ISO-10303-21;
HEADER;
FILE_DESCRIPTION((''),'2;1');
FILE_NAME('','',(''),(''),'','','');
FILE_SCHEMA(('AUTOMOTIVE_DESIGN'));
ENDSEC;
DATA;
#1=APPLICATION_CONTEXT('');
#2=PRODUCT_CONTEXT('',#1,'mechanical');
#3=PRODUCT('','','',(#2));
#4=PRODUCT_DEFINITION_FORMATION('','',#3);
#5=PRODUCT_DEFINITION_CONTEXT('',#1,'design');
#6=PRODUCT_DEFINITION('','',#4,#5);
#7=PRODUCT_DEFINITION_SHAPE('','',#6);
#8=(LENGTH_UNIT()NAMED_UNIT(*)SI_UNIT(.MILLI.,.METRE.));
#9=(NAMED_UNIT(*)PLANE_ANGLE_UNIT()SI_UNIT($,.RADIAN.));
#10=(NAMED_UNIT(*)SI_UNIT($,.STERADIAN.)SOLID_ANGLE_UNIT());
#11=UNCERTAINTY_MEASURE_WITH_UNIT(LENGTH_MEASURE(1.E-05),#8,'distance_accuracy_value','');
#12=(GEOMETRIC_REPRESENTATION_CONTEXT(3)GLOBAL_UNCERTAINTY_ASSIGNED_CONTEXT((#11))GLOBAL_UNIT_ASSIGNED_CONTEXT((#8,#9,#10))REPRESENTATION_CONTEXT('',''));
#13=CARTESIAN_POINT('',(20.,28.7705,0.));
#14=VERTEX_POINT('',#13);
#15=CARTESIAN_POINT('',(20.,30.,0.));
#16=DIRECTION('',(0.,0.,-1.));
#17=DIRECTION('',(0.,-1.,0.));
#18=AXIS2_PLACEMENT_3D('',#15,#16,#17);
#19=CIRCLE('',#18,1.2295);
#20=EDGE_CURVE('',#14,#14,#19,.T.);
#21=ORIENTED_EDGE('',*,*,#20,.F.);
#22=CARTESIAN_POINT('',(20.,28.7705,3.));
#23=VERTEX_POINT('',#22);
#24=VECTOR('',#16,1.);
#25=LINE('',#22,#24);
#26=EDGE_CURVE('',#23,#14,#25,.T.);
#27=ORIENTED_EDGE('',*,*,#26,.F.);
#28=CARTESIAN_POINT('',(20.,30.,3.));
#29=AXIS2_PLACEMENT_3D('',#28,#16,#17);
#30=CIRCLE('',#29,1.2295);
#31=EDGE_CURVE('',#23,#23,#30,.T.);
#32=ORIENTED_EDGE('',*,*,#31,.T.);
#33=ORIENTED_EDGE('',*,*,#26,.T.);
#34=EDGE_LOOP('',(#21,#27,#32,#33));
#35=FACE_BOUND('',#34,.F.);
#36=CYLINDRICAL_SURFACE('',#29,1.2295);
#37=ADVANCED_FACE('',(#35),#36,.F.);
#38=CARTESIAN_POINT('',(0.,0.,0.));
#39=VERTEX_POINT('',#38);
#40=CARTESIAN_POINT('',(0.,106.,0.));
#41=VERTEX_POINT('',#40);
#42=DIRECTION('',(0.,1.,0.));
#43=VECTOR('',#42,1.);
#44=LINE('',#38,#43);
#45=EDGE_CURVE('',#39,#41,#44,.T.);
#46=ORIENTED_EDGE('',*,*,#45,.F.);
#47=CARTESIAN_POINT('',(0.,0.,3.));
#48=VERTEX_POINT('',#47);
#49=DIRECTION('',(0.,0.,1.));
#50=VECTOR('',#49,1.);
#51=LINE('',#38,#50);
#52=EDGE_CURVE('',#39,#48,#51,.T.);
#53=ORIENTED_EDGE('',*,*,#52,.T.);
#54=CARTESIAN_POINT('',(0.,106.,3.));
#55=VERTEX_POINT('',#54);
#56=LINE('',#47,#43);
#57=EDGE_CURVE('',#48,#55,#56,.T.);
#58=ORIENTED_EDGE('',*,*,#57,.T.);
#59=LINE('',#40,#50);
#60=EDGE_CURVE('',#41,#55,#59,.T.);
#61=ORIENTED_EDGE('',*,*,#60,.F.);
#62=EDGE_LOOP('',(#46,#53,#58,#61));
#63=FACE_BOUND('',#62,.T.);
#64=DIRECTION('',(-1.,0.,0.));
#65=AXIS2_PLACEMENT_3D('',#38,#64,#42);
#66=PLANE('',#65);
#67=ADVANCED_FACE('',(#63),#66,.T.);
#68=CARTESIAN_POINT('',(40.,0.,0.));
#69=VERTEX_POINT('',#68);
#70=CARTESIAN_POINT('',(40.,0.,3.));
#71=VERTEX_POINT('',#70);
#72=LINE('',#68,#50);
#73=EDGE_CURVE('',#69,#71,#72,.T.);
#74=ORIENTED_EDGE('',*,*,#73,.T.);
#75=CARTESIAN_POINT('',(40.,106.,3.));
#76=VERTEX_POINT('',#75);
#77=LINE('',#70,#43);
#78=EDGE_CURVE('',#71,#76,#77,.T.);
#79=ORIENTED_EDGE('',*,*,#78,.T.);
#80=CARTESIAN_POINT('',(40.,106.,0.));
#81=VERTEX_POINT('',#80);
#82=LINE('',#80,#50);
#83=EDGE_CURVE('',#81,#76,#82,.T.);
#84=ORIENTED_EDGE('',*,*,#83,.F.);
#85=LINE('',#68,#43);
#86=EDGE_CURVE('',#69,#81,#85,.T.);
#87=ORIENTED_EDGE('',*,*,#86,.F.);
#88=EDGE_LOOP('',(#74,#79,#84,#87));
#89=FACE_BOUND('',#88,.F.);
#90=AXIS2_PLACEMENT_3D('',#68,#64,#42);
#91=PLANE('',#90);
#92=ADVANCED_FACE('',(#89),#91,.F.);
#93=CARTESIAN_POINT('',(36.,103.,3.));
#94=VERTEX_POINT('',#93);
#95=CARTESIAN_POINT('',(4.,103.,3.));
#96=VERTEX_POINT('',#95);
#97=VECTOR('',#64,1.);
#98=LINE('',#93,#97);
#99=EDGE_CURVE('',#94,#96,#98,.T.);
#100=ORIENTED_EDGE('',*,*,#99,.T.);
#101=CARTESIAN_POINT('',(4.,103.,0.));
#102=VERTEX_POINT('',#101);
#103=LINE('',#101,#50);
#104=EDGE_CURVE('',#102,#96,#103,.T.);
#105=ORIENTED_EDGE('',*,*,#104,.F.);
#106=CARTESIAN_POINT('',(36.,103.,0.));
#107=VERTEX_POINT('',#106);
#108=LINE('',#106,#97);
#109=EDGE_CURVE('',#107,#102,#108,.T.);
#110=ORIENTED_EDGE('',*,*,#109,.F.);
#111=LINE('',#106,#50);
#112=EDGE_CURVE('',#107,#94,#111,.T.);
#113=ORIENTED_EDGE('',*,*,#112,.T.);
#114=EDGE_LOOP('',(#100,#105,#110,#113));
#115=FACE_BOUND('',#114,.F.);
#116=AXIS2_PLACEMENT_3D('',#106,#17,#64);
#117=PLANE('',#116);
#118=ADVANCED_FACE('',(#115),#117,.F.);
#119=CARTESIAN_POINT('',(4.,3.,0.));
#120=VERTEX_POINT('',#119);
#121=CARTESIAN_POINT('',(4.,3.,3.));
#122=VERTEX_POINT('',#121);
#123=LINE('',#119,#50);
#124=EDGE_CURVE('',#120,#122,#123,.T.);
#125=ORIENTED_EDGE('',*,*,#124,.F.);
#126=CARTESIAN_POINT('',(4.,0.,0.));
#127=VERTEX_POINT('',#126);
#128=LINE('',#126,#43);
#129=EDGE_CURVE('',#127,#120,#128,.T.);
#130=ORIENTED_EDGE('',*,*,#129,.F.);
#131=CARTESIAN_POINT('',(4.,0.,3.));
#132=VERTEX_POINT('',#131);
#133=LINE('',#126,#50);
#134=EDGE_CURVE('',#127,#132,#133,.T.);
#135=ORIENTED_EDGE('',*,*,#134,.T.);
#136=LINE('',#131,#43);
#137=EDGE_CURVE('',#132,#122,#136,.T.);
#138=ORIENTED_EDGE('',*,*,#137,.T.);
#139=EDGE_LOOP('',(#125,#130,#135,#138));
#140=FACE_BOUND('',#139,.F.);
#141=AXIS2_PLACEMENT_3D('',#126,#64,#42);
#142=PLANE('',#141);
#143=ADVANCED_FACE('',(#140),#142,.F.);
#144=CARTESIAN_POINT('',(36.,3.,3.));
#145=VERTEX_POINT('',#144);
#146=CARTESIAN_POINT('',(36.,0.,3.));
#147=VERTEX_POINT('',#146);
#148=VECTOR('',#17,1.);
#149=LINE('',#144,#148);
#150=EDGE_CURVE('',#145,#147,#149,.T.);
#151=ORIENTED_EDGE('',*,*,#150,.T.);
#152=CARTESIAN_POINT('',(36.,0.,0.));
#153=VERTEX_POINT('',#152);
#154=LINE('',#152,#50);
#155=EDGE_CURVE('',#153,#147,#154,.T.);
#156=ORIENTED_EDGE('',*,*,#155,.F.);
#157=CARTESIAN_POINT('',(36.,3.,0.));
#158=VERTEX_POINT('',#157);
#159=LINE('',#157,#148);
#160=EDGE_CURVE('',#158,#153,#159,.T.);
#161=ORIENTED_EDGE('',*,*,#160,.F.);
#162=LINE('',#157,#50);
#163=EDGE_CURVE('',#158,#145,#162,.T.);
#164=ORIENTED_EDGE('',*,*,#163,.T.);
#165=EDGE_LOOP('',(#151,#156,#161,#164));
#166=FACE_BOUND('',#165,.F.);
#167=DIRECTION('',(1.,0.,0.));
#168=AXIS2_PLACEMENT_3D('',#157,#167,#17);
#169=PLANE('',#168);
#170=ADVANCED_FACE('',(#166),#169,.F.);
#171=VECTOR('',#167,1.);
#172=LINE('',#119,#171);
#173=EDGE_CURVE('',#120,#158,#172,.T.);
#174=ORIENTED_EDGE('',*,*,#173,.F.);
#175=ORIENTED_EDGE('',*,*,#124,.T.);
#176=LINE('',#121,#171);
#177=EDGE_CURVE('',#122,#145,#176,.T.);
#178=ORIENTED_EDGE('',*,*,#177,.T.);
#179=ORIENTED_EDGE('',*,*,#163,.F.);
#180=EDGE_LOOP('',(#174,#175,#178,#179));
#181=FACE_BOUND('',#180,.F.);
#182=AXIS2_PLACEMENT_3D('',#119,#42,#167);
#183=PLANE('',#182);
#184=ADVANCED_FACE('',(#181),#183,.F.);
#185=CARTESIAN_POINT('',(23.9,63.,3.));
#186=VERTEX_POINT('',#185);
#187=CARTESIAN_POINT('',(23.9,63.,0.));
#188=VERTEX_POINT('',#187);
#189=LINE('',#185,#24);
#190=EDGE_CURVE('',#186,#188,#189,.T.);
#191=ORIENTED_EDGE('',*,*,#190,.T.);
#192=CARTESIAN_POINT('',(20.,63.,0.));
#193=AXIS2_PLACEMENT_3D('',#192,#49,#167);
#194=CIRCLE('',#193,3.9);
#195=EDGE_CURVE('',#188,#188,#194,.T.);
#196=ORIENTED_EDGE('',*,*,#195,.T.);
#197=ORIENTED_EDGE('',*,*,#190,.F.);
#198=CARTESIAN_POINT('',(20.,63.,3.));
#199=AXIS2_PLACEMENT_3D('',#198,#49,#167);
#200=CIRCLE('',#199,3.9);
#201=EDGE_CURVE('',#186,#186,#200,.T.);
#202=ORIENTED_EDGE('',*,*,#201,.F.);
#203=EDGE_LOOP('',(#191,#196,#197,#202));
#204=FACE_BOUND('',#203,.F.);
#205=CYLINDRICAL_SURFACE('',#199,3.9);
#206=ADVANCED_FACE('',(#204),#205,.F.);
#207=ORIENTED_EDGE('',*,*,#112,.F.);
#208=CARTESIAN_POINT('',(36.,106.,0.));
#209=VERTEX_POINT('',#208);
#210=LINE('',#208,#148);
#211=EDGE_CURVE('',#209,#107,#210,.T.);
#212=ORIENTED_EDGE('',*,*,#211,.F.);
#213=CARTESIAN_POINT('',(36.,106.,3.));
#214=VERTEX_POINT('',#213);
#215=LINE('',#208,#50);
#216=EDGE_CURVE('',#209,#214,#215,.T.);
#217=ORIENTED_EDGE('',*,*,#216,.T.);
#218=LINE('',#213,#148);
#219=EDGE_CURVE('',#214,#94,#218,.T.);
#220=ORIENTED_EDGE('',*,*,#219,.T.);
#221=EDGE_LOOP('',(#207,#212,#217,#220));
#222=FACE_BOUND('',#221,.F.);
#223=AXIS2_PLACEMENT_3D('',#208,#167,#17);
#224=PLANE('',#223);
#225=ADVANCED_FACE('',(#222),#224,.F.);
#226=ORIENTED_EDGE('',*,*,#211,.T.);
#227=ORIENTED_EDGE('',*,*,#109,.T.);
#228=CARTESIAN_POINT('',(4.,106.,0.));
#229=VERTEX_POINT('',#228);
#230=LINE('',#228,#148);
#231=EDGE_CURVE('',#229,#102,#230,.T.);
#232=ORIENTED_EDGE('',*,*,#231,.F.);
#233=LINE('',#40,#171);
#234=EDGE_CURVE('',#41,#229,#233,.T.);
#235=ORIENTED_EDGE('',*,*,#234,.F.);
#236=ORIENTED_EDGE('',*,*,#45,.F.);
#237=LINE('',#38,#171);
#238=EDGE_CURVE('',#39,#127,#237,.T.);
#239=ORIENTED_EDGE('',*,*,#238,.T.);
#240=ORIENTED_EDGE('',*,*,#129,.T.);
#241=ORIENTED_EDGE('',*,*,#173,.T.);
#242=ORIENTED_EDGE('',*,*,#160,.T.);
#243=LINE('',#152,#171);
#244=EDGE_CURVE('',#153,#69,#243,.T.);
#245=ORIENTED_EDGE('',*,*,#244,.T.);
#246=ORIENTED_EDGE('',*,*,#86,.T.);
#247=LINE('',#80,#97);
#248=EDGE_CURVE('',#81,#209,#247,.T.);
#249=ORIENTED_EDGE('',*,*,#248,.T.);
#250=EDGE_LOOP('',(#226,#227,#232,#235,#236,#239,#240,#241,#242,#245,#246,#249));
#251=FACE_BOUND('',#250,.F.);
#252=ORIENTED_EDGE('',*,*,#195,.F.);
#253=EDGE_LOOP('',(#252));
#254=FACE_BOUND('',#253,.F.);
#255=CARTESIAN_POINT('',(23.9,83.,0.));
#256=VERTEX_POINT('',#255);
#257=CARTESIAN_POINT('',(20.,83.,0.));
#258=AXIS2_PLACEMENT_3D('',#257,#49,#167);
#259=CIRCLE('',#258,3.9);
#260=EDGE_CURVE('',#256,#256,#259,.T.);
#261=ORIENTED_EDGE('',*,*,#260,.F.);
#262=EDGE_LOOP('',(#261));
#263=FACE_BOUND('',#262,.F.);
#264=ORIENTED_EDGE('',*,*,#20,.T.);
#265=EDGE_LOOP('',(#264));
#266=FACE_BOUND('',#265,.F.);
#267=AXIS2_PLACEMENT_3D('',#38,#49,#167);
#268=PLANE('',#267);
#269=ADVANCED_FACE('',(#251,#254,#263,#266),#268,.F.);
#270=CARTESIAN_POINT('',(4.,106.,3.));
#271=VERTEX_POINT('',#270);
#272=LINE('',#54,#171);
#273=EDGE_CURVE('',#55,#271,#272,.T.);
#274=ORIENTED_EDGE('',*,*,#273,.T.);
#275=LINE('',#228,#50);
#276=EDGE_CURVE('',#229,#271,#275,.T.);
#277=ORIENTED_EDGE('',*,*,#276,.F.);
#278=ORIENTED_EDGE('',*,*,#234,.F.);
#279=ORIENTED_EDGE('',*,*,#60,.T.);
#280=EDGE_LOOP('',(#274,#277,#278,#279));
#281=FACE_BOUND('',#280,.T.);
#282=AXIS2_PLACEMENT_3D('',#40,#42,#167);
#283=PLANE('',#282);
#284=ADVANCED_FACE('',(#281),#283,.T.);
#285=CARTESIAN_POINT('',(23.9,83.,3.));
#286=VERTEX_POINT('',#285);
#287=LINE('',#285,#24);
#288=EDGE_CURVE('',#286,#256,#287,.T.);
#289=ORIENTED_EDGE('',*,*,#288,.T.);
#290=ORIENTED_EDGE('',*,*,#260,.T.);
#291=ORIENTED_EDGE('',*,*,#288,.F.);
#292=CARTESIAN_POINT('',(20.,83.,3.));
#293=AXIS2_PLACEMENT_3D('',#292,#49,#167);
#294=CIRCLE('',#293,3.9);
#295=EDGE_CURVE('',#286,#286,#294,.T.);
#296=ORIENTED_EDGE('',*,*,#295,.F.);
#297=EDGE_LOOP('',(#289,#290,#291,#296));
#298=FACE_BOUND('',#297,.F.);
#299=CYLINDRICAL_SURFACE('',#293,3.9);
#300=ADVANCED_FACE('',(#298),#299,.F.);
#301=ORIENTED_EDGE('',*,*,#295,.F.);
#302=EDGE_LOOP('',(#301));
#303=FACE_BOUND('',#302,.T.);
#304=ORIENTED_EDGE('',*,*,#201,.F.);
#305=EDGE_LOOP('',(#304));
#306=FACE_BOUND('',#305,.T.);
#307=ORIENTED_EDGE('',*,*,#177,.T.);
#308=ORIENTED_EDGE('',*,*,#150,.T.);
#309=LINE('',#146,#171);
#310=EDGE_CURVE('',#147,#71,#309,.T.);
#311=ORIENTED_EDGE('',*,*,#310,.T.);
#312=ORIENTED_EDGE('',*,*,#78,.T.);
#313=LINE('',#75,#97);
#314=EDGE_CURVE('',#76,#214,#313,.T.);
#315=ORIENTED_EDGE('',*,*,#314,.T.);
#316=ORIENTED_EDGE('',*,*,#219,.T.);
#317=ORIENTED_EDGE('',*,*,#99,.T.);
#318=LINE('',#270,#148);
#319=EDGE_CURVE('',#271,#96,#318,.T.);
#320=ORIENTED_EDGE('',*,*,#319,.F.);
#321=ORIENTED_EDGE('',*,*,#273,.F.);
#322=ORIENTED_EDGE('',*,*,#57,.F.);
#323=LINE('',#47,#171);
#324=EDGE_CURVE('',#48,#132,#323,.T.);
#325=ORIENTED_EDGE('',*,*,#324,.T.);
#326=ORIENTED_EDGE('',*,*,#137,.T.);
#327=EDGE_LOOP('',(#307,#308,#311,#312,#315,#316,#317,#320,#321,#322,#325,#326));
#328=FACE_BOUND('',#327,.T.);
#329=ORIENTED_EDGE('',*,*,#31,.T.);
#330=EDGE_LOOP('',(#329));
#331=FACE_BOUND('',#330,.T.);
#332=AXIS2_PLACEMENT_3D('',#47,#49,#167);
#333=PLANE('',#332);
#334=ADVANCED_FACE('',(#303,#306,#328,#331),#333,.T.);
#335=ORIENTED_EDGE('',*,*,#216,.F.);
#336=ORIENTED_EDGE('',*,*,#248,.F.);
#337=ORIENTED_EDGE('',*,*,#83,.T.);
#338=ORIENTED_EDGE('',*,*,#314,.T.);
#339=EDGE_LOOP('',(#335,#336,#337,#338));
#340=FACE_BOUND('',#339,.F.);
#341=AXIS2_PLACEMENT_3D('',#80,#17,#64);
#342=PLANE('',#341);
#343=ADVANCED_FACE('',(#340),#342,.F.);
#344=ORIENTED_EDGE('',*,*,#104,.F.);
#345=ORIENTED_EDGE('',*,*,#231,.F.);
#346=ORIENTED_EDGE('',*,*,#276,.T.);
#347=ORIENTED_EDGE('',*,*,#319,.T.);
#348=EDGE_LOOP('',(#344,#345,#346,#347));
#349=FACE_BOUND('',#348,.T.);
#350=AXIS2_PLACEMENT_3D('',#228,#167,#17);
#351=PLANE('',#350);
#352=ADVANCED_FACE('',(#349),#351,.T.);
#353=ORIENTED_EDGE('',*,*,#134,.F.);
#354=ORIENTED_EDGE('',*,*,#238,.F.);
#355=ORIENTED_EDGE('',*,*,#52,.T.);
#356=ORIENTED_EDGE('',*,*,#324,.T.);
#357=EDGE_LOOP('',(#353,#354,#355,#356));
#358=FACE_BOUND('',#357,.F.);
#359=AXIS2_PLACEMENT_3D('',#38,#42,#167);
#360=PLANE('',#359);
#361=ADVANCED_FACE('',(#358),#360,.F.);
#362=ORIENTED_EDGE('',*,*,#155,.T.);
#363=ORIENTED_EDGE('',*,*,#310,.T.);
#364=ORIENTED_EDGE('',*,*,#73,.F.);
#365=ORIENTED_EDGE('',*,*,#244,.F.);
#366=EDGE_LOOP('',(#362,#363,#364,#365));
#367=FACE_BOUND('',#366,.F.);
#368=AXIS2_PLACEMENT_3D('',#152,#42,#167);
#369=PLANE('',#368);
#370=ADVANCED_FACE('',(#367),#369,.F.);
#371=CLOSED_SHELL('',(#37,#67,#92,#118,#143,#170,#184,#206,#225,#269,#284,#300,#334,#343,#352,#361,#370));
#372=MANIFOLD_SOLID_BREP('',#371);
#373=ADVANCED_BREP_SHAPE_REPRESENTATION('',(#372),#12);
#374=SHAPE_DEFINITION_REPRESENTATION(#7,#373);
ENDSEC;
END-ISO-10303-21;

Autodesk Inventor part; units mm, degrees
ref_plane "Plan YZ" through (0, 0, 0) normal (1, 0, 0) x (0, 1, 0)
ref_plane "Plan XZ" through (0, 0, 0) normal (0, 1, 0) x (-1, 0, 0)
ref_plane "Plan XY" through (0, 0, 0) normal (0, 0, 1) x (1, 0, 0)
sketch "Esquisse1" plane through (0, 0, 0) normal (0, 0, 1) x (1, 0, 0)
  line L0 (4, 3) -> (36, 3)
  line L1 (36, 103) -> (4, 103)
  line L2 (0, 106) -> (4, 106)
  line L3 (4, 106) -> (4, 103)
  line L4 (40, 106) -> (36, 106)
  line L5 (36, 106) -> (36, 103)
  line L6 (0, 0) -> (4, 0)
  line L7 (4, 0) -> (4, 3)
  line L8 (36, 3) -> (36, 0)
  line L9 (36, 0) -> (40, 0)
  line L10 (40, 0) -> (40, 106)
  line L11 (0, 0) -> (0, 106)
  dimension "d6" = 100
  dimension "d8" = 3
  dimension "d9" = 3
  dimension "d13" = 40
  dimension "d14" = 4
  dimension "d15" = 4
extrude "Extrusion1" add sketch "Esquisse1" along normal blind 3
sketch "Esquisse6" plane through (0, 0, 3) normal (0, 0, 1) x (1, 0, 0)
  line L0 (0, 106) -> (0, 0) projected
  line L1 (40, 0) -> (40, 106) projected
  line L2 (0, -646.5316) -> (20, -646.5316) construction
  line L3 (40, -683.5995) -> (20, -683.5995) construction
  line L4 (20, 88.2545) -> (20, 14.0947) construction
  circle A0 centre (20, 83) radius 3.9
  circle A1 centre (20, 63) radius 3.9
  line L5 (36, 103) -> (4, 103) projected
  line L6 (36, 0) -> (40, 0) projected
  dimension "d18" = 20
  dimension "d19" = 20
  dimension "d20" = 7.8
  dimension "d21" = 7.8
extrude "Extrusion2" cut sketch "Esquisse6" against normal through all
sketch "Esquisse7" plane through (0, 0, 3) normal (0, 0, 1) x (1, 0, 0)
  line L0 (40, 0) -> (40, 106) construction
  line L1 (0, 106) -> (0, 0) construction
  line L2 (20, 50.9423) -> (20, 15.6231) construction
  line L3 (0, 42.5223) -> (20, 42.5223) construction
  line L4 (20, 46.099) -> (40, 46.099) construction
  line L5 (36, 0) -> (40, 0) projected
  point P0 (20, 30)
  dimension "d27" = 30
hole "Perçage1" at (20, 30, 3) direction (0, 0, -1) diameter 2.459 end through all thread size "M3x0.5" class "6H" standard "ISO M"
properties part number "S1702_paroiinterne" material "Plastique PMMA"
